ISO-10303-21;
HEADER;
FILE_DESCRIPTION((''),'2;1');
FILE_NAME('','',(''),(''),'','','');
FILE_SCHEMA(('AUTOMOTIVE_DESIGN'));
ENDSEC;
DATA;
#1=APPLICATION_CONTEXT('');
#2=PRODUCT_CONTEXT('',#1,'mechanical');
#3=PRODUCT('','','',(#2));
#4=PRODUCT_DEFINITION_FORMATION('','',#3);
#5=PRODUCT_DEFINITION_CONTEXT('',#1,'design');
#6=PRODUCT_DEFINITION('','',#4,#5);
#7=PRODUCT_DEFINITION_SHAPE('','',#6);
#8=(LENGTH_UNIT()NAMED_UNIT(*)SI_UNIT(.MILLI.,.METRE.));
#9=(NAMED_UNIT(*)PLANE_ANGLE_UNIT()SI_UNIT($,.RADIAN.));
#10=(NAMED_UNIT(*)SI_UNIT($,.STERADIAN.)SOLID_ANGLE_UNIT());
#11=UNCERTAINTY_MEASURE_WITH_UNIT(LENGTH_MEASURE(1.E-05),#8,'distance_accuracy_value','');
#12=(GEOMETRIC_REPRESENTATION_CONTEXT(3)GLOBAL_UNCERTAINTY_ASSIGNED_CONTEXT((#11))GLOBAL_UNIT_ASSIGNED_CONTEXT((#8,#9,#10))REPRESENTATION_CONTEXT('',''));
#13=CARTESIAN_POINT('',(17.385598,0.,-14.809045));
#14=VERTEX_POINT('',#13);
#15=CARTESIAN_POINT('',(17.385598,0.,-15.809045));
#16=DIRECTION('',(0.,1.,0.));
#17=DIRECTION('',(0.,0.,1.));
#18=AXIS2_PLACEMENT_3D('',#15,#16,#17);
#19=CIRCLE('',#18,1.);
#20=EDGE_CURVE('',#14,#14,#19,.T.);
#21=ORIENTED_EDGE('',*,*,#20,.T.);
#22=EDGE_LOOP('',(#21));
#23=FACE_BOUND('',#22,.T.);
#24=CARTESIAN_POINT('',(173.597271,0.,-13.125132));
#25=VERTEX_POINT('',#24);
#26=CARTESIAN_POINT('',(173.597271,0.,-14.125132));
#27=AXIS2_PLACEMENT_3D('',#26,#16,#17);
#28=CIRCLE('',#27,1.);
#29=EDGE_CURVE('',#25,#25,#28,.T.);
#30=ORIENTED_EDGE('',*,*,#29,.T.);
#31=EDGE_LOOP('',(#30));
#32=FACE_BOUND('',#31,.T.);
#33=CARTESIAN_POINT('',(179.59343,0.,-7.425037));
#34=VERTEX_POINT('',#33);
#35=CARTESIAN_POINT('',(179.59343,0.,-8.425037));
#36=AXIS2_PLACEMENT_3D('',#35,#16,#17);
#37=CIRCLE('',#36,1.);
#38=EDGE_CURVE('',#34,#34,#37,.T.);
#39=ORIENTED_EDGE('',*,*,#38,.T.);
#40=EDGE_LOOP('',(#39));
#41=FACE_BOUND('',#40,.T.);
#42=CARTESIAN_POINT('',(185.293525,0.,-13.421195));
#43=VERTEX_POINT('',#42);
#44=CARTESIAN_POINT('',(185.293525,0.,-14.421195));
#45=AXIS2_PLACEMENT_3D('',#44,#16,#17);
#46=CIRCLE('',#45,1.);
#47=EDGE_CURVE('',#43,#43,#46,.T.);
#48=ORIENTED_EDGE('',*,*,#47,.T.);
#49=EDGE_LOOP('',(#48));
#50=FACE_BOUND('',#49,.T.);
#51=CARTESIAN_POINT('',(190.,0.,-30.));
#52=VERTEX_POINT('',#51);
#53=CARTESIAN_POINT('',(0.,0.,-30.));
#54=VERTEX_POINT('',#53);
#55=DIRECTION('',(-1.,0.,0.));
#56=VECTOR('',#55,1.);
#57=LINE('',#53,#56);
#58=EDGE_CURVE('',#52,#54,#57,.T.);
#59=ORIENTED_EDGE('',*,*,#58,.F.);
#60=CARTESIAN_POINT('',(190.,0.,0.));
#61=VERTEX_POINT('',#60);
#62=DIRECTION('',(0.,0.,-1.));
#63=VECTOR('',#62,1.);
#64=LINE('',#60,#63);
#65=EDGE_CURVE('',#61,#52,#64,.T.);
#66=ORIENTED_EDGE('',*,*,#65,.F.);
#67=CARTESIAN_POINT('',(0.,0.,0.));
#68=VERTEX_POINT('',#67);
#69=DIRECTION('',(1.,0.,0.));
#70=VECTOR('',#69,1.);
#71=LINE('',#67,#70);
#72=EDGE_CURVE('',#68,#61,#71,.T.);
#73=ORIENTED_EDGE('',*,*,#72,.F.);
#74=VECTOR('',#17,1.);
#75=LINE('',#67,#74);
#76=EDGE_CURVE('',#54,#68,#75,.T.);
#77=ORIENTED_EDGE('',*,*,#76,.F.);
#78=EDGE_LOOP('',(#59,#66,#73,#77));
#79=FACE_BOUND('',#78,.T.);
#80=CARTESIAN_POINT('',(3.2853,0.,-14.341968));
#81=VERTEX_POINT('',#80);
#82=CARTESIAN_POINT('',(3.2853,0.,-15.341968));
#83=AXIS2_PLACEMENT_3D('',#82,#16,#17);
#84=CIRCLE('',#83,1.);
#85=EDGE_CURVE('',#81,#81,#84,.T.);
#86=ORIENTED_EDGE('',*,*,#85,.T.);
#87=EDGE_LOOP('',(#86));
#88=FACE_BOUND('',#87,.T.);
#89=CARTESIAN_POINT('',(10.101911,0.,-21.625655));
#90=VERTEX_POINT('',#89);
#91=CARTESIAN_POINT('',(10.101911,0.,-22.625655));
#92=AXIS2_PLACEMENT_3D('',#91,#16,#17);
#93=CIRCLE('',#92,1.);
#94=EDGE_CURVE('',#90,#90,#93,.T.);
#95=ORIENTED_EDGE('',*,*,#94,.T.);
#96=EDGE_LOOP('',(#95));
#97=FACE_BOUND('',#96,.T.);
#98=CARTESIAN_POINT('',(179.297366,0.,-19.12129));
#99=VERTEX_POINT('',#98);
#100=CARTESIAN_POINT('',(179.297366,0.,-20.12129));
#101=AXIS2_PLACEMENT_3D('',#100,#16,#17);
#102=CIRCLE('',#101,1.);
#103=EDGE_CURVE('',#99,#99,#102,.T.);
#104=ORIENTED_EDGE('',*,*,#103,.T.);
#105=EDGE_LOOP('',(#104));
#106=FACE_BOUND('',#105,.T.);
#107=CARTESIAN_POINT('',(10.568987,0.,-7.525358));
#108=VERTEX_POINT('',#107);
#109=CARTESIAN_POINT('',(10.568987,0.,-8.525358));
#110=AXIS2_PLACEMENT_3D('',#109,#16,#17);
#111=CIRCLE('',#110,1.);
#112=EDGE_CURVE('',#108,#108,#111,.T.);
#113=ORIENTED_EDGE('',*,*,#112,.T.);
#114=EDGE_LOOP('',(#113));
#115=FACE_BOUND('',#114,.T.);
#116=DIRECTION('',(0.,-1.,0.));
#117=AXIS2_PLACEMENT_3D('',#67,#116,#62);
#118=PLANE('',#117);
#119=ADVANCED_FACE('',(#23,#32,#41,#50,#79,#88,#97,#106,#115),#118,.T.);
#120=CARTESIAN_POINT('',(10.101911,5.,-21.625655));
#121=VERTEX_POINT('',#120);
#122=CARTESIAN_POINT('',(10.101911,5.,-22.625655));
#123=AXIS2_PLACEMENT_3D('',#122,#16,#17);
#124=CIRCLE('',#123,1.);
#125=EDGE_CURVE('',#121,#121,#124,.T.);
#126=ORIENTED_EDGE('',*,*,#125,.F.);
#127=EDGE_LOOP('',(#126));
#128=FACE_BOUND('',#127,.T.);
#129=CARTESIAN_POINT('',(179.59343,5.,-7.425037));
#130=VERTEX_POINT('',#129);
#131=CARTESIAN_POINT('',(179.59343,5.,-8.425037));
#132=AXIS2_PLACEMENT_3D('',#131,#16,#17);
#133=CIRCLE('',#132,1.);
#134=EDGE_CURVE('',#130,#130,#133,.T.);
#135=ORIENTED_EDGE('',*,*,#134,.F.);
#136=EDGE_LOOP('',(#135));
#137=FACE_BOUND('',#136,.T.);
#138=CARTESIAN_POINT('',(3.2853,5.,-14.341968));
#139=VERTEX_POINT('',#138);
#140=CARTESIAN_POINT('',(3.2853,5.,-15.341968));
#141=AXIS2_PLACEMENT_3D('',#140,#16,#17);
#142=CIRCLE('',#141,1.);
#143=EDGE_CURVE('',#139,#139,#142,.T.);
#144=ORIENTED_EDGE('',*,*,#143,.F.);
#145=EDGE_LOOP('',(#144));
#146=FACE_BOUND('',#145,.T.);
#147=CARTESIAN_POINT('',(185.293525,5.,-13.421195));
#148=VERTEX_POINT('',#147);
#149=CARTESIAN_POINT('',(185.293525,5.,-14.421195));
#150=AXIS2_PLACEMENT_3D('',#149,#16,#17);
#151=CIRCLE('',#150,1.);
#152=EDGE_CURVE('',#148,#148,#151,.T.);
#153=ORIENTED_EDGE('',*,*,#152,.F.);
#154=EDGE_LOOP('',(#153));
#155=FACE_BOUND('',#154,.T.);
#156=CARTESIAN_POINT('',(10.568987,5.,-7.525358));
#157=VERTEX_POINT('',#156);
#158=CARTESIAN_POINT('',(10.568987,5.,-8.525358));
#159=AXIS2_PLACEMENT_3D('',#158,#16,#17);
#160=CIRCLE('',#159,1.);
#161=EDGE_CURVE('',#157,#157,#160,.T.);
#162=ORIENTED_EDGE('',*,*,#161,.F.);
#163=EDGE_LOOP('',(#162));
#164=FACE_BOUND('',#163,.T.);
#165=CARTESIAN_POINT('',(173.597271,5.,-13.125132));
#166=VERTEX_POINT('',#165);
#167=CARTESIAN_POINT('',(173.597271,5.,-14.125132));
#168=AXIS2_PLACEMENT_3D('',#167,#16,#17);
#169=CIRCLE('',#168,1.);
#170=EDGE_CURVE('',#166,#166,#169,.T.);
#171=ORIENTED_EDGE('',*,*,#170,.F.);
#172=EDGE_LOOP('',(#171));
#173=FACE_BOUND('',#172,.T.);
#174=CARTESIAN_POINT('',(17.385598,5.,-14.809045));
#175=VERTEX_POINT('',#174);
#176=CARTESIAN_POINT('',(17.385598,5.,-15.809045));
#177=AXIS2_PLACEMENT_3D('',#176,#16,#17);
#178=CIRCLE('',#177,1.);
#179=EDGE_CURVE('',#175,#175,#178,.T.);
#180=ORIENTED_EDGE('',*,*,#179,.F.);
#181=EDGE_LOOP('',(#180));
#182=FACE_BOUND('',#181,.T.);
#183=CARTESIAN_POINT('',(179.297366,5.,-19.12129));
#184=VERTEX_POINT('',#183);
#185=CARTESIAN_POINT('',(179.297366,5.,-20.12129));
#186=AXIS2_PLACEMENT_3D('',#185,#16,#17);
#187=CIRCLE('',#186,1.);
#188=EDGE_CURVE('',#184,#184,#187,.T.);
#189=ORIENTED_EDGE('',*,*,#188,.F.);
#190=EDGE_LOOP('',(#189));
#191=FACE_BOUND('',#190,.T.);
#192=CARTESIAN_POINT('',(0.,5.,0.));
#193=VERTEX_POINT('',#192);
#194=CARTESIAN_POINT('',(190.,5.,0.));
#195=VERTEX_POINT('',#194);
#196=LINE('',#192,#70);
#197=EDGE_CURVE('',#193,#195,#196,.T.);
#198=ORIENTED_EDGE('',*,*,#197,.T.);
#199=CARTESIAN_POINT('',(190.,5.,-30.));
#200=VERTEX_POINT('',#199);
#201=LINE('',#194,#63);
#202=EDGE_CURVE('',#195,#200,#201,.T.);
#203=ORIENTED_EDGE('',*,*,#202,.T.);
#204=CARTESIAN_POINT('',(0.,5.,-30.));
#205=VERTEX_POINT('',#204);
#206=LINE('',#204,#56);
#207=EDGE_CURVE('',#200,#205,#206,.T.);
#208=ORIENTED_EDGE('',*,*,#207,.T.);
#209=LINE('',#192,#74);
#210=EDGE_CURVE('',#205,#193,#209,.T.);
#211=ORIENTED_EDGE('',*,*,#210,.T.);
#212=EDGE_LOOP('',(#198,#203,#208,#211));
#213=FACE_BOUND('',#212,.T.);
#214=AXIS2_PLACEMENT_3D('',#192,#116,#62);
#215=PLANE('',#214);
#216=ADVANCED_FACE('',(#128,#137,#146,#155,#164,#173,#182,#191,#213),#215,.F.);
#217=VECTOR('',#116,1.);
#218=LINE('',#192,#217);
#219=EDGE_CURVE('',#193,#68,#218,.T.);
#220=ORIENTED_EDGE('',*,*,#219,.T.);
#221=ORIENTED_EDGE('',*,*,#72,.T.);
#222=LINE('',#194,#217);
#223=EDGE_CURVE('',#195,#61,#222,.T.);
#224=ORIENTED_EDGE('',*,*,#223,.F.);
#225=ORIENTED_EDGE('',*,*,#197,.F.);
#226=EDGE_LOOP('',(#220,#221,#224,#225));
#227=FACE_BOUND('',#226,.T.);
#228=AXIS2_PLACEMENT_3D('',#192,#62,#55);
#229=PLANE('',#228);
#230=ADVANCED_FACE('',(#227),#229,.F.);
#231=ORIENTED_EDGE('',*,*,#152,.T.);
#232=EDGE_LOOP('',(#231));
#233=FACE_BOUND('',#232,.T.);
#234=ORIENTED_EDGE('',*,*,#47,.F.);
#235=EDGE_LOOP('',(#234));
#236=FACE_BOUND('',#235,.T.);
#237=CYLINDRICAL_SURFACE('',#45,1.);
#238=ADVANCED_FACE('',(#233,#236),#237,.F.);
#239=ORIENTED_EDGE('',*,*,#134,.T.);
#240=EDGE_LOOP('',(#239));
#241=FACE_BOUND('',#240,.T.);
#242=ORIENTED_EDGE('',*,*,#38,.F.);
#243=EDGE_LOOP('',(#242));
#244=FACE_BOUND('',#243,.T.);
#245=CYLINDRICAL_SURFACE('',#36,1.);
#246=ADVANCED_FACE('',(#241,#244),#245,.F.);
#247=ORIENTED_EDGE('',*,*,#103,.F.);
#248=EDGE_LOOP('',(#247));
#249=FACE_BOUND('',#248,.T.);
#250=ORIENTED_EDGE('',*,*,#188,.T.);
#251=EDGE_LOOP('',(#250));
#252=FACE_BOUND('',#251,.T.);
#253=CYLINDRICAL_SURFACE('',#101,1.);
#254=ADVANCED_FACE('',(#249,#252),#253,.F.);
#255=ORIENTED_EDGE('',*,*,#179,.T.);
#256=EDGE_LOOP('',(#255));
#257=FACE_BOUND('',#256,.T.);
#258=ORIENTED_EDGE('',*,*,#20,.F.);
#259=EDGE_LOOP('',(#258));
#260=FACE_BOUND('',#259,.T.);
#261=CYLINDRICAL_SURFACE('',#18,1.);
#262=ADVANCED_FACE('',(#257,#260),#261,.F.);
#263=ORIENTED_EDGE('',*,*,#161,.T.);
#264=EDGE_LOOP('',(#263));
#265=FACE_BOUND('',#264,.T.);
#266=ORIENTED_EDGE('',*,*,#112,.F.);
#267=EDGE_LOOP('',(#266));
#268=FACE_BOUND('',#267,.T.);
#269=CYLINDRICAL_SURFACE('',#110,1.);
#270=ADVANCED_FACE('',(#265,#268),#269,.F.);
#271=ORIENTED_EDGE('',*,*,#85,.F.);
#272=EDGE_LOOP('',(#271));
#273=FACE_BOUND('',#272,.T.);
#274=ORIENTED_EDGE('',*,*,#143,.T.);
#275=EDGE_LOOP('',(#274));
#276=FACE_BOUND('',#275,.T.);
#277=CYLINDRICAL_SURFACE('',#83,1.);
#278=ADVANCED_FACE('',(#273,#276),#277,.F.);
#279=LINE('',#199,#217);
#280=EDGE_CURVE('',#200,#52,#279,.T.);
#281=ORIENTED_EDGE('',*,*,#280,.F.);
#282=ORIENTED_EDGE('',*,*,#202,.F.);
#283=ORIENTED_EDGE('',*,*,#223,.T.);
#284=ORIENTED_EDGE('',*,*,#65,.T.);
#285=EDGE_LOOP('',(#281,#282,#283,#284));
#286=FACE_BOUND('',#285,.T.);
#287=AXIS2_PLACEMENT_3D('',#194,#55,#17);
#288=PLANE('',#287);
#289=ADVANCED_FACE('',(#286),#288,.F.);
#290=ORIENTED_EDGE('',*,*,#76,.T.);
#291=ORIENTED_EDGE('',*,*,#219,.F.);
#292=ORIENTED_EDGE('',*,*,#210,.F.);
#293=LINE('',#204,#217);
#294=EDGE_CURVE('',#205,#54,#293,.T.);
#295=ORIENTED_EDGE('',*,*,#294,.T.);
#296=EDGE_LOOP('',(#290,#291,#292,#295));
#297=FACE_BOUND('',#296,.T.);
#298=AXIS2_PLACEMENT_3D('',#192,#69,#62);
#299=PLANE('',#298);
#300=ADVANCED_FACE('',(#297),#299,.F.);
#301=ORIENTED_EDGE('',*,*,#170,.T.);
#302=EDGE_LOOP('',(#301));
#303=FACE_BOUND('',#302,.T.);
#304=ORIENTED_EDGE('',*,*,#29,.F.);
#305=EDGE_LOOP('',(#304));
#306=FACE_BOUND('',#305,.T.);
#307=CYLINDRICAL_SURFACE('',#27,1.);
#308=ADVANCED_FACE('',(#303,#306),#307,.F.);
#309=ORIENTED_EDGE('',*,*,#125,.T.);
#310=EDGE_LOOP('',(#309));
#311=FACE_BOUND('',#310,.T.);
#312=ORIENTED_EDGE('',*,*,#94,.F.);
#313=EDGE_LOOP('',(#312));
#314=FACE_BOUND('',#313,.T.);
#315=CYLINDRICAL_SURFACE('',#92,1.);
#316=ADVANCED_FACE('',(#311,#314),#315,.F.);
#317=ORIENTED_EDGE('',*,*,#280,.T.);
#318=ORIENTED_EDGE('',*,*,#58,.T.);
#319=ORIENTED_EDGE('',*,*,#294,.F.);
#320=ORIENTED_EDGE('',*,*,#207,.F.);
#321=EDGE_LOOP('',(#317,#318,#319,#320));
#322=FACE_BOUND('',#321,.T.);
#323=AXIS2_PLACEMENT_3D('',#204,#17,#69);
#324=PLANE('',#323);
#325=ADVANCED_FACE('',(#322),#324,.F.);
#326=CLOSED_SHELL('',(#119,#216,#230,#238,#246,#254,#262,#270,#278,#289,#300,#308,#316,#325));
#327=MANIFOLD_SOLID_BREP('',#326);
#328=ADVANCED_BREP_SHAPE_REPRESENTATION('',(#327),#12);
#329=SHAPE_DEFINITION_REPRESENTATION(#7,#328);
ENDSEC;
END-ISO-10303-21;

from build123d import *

# Parameters (mm, degrees)
SKETCH1_W           = 190
SKETCH1_H           = 30
BOSS_EXTRUDE6_DEPTH = 5
SKETCH5_R           = 1
CUT_EXTRUDE1_DEPTH  = 5


with BuildPart() as part:
    # Sketch1 → Boss-Extrude6 (new body)
    with BuildSketch(Plane(origin=(0, 0, 0), x_dir=(1, 0, 0), z_dir=(0, 1, 0))):
        with Locations((95, 15)):
            Rectangle(SKETCH1_W, SKETCH1_H)
    extrude(amount=BOSS_EXTRUDE6_DEPTH)

    # Sketch5 → Cut-Extrude1 (cut)
    with BuildSketch(Plane(origin=(0, 5, 0), x_dir=(1, 0, 0), z_dir=(0, 1, 0))):
        with Locations(Location((185.293524886, 14.421195353, 0), (0, 0, 270))):
            Circle(SKETCH5_R)
        with Locations(Location((179.593429878, 8.425036842, 0), (0, 0, 270))):
            Circle(SKETCH5_R)
        with Locations(Location((173.597271366, 14.125131851, 0), (0, 0, 270))):
            Circle(SKETCH5_R)
        with Locations(Location((179.297366375, 20.121290362, 0), (0, 0, 270))):
            Circle(SKETCH5_R)
        with Locations(Location((3.28530035, 15.341967946, 0), (0, 0, 270))):
            Circle(SKETCH5_R)
        with Locations(Location((10.101910635, 22.625655016, 0), (0, 0, 270))):
            Circle(SKETCH5_R)
        with Locations(Location((17.385597705, 15.809044731, 0), (0, 0, 270))):
            Circle(SKETCH5_R)
        with Locations(Location((10.56898742, 8.525357661, 0), (0, 0, 270))):
            Circle(SKETCH5_R)
    extrude(amount=-CUT_EXTRUDE1_DEPTH, mode=Mode.SUBTRACT)


solid = part.part
